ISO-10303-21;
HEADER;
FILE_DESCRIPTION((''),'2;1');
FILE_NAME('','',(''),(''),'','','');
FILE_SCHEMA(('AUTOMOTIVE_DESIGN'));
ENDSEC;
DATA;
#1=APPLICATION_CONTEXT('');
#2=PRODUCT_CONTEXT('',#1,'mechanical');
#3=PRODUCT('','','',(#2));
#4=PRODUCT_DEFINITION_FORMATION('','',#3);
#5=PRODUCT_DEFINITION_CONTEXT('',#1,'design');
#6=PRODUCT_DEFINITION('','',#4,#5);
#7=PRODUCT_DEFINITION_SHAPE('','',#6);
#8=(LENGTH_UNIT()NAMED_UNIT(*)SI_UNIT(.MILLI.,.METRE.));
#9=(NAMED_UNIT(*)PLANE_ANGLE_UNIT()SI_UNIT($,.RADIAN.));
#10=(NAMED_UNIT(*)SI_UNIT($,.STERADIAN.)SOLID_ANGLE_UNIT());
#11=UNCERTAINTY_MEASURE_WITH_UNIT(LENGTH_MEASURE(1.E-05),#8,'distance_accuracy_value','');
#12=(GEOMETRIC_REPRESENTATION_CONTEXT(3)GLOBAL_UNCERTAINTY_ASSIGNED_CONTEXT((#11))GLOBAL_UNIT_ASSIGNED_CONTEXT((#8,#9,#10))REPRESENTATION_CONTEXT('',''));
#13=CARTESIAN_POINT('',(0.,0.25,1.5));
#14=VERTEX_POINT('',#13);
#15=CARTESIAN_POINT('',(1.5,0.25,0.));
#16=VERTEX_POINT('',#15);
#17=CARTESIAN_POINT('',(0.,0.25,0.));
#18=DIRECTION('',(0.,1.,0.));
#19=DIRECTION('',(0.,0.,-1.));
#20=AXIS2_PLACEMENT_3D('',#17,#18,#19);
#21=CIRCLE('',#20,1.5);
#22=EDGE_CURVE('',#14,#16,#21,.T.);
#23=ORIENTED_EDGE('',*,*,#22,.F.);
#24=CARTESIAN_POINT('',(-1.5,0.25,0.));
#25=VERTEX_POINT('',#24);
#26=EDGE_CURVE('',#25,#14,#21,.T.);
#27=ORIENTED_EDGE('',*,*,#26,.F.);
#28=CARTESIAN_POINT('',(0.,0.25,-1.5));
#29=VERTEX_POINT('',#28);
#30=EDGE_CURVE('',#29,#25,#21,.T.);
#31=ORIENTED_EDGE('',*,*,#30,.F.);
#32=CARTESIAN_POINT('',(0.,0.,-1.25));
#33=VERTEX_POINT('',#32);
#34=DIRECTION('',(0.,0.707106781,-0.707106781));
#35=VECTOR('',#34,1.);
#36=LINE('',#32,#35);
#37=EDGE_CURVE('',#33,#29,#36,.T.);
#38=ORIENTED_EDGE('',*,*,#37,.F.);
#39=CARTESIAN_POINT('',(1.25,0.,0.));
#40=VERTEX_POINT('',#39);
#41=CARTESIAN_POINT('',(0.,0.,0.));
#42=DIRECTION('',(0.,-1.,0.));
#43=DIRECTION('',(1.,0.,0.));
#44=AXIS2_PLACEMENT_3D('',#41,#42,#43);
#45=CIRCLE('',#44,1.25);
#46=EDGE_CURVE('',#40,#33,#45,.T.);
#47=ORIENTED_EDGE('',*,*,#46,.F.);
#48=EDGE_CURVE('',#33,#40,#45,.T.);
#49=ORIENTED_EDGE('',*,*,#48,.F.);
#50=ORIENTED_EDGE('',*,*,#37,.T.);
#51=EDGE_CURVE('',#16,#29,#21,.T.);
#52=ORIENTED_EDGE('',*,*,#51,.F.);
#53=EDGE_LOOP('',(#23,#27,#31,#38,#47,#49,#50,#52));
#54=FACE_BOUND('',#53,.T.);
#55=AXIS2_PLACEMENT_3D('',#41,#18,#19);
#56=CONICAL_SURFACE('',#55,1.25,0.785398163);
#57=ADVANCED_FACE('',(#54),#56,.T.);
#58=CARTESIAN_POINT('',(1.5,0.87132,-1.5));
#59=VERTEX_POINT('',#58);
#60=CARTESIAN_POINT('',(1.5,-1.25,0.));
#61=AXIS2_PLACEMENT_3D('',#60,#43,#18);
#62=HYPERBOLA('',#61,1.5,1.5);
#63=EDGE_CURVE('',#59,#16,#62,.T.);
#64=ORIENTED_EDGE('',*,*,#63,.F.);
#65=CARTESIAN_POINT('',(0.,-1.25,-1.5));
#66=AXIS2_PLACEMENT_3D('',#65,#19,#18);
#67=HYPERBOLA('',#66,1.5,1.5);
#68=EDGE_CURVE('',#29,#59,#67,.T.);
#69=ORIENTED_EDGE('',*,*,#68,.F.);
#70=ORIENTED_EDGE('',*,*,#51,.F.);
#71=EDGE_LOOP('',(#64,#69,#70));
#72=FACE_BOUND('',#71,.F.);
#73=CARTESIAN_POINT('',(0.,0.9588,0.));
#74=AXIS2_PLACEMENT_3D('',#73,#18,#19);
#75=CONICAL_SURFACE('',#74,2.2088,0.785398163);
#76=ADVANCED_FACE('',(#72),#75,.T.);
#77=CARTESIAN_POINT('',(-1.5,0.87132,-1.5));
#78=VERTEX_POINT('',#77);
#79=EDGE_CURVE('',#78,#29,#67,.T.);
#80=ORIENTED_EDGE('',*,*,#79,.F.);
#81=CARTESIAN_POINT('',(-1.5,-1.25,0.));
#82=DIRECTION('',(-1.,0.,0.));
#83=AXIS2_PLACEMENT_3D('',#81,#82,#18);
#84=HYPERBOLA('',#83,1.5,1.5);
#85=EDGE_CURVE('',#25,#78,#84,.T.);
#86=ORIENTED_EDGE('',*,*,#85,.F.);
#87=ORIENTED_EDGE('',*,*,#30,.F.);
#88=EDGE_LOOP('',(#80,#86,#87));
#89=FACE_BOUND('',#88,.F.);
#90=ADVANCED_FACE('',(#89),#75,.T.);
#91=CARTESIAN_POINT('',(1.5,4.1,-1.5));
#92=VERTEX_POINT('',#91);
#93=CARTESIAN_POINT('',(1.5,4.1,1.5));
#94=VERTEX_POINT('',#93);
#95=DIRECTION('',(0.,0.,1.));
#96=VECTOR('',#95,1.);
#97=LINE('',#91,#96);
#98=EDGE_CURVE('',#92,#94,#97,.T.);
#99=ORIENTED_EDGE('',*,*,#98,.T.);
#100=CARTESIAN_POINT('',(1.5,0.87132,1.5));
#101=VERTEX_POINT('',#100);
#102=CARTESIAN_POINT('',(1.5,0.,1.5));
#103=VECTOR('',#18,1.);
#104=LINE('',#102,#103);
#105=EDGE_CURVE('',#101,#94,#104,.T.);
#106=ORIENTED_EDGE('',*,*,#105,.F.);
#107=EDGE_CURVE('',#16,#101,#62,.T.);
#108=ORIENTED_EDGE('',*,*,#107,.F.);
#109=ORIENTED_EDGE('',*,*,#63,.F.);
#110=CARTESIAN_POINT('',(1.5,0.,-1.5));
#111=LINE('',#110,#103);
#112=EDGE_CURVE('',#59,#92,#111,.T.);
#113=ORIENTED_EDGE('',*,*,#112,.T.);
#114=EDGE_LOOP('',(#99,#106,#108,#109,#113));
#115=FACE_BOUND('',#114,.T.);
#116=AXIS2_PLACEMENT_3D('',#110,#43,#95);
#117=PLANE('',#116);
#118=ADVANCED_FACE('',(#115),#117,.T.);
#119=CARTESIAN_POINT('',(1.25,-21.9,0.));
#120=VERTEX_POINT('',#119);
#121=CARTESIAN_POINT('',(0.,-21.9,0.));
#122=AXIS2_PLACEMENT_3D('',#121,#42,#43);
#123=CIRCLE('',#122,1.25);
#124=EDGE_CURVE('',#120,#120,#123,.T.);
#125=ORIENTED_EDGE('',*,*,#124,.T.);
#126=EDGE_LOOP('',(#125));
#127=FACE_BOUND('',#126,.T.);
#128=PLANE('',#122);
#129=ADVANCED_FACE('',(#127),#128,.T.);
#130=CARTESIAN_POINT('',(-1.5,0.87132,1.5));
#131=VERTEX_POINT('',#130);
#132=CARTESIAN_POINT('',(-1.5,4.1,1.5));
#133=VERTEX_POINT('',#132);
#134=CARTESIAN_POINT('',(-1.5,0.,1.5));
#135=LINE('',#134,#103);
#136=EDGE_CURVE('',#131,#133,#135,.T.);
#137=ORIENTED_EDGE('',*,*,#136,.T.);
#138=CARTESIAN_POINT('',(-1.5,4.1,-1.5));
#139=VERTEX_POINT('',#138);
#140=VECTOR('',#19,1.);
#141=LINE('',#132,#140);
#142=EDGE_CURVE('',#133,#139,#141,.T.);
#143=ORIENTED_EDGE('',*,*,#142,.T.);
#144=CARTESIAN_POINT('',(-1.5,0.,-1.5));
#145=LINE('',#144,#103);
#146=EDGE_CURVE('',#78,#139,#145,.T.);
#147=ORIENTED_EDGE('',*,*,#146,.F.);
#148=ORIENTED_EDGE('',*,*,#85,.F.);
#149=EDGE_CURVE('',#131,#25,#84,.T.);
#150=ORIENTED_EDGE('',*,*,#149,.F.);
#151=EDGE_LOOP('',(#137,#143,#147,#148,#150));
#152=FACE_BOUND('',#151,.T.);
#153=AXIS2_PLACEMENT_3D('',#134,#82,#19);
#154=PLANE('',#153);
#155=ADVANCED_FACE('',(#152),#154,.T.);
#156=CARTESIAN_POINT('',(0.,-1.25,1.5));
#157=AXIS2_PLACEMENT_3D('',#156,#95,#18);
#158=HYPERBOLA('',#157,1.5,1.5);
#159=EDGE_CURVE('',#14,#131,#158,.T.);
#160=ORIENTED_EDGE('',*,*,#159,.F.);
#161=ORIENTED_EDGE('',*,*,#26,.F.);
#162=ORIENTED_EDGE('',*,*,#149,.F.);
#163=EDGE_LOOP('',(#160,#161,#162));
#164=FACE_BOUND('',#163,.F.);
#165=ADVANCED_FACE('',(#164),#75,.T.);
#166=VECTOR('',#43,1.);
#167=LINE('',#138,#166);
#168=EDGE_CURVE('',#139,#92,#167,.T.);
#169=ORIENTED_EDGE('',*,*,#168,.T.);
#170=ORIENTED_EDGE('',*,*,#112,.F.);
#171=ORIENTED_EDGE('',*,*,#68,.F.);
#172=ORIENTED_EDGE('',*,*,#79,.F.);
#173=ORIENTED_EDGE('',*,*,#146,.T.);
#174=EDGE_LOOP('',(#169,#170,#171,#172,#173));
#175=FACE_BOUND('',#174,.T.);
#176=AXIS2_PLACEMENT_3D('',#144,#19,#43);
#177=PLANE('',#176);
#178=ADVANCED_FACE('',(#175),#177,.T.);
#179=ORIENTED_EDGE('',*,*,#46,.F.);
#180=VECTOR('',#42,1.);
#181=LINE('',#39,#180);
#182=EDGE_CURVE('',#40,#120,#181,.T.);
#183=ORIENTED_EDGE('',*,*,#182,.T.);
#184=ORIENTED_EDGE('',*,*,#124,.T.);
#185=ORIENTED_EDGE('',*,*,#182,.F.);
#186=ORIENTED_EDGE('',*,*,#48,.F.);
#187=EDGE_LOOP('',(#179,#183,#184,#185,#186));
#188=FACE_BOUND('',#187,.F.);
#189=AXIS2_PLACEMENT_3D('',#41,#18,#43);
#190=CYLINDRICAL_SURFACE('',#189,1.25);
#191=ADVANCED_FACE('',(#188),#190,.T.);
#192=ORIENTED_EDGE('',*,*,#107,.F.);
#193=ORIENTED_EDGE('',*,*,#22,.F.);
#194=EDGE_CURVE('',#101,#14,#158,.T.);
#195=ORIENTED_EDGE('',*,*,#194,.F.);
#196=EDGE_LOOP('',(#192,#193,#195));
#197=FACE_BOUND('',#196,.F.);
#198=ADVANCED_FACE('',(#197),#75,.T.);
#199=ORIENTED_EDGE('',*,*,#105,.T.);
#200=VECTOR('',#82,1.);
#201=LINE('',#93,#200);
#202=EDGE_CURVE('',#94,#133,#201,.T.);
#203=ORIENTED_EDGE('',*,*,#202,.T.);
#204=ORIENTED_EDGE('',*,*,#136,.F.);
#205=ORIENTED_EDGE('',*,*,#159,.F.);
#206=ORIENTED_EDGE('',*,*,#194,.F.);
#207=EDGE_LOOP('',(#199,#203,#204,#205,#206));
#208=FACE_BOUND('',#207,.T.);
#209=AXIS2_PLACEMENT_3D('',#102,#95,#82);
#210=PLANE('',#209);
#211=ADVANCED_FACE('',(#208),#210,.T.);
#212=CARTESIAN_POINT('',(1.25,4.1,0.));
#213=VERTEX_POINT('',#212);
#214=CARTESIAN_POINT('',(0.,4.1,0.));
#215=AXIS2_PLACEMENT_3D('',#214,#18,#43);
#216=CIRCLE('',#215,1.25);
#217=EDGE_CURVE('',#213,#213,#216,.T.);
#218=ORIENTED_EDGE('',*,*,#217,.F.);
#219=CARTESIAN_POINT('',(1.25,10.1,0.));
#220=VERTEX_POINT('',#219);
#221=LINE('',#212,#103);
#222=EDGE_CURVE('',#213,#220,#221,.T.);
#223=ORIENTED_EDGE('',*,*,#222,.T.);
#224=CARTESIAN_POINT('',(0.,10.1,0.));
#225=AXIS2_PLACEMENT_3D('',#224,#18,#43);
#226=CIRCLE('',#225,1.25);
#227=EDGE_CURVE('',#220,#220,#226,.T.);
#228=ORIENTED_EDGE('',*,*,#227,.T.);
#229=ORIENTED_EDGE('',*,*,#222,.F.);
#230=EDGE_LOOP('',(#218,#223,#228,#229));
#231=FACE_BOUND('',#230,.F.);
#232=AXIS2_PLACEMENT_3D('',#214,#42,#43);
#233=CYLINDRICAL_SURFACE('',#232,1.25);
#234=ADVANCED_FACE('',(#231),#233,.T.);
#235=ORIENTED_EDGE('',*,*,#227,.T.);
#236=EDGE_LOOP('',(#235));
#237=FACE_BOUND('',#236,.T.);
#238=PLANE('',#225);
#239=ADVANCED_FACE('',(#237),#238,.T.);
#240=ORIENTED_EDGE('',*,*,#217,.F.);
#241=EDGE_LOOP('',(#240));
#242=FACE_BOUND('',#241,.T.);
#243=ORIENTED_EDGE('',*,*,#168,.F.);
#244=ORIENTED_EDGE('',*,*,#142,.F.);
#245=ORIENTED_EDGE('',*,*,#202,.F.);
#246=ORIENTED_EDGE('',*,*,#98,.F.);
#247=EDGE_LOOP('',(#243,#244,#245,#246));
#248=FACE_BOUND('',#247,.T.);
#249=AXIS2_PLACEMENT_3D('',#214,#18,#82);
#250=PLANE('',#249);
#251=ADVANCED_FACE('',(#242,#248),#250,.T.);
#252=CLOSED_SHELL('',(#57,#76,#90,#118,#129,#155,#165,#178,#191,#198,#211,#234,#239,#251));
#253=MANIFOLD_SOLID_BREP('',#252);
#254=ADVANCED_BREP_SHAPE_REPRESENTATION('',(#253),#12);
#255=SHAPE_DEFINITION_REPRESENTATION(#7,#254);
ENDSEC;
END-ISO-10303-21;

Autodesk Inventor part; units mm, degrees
ref_plane "YZ Plane" through (0, 0, 0) normal (1, 0, 0) x (0, 1, 0)
ref_plane "XZ Plane" through (0, 0, 0) normal (0, 1, 0) x (-1, 0, 0)
ref_plane "XY Plane" through (0, 0, 0) normal (0, 0, 1) x (1, 0, 0)
sketch "Sketch1" plane through (0, 0, 0) normal (0, 1, 0) x (-1, 0, 0)
  line L0 (-1.5, 1.5) -> (1.5, 1.5)
  line L1 (1.5, 1.5) -> (1.5, -1.5)
  line L2 (1.5, -1.5) -> (-1.5, -1.5)
  line L3 (-1.5, -1.5) -> (-1.5, 1.5)
  line L4 (-1.5, 1.5) -> (1.5, -1.5) construction
  line L5 (1.5, 1.5) -> (-1.5, -1.5) construction
  point P0 (0, 0)
  dimension "d0" = 3
  dimension "d1" = 3
extrude "Extrusion1" add sketch "Sketch1" along normal blind 4.1
sketch "Sketch2" plane through (0, 4.1, 0) normal (0, 1, 0) x (1, 0, 0)
  circle A0 centre (0, 0) radius 1.25
  dimension "d4" = 2.5
extrude "Extrusion2" add sketch "Sketch2" along normal blind 6
sketch "Sketch3" plane through (0, 0, 0) normal (0, -1, 0) x (1, 0, 0)
  circle A0 centre (0, 0) radius 1.25
  dimension "d7" = 2.5
extrude "Extrusion3" add sketch "Sketch3" along normal blind 21.9
thread "Thread1" size "M2.5x0.45" class "6g" standard "ISO Metric profile" length 6
thread "Thread2" size "M2.5x0.45" class "6g" standard "ISO Metric profile" length 10
sketch "Sketch4" plane through (0, 0, 0) normal (1, 0, 0) x (0, 1, 0)
  line L0 (0, 1.5) -> (4.1, 1.5) construction
  line L1 (4.1, 1.5) -> (4.1, 1.25) construction
  line L2 (4.1, 1.25) -> (10.1, 1.25) construction
  line L3 (10.1, 1.25) -> (10.1, -1.25) construction
  line L4 (10.1, -1.25) -> (4.1, -1.25) construction
  line L5 (4.1, -1.25) -> (4.1, -1.5) construction
  line L6 (4.1, -1.5) -> (0, -1.5) construction
  line L7 (0, -1.5) -> (0, -1.25) construction
  line L8 (0, -1.25) -> (-21.9, -1.25) construction
  line L9 (-21.9, -1.25) -> (-21.9, 1.25) construction
  line L10 (-21.9, 1.25) -> (0, 1.25) construction
  line L11 (0, 1.25) -> (0, 1.5) construction
  line L12 (0, -1.25) -> (0.25, -1.5)
  line L13 (0, -1.25) -> (0.3536, -1.25) construction
  line L14 (0, -1.25) -> (0, -1.5)
  line L15 (0, -1.5) -> (4.1, -1.5) projected
  line L16 (-28.3, 0) -> (16.5, 0) projected
  line L17 (0, -1.5) -> (0, -2.5685)
  line L18 (0, -2.5685) -> (0.9588, -2.2088)
  line L19 (0.9588, -2.2088) -> (0.25, -1.5)
  point P0 (0, 0)
  dimension "d15" = 45
revolve "Revolution1" cut sketch "Sketch4" angle 360 about axis through (0, -10, 0) along (0, 1, 0)
properties part number "500-001" material "Steel"
